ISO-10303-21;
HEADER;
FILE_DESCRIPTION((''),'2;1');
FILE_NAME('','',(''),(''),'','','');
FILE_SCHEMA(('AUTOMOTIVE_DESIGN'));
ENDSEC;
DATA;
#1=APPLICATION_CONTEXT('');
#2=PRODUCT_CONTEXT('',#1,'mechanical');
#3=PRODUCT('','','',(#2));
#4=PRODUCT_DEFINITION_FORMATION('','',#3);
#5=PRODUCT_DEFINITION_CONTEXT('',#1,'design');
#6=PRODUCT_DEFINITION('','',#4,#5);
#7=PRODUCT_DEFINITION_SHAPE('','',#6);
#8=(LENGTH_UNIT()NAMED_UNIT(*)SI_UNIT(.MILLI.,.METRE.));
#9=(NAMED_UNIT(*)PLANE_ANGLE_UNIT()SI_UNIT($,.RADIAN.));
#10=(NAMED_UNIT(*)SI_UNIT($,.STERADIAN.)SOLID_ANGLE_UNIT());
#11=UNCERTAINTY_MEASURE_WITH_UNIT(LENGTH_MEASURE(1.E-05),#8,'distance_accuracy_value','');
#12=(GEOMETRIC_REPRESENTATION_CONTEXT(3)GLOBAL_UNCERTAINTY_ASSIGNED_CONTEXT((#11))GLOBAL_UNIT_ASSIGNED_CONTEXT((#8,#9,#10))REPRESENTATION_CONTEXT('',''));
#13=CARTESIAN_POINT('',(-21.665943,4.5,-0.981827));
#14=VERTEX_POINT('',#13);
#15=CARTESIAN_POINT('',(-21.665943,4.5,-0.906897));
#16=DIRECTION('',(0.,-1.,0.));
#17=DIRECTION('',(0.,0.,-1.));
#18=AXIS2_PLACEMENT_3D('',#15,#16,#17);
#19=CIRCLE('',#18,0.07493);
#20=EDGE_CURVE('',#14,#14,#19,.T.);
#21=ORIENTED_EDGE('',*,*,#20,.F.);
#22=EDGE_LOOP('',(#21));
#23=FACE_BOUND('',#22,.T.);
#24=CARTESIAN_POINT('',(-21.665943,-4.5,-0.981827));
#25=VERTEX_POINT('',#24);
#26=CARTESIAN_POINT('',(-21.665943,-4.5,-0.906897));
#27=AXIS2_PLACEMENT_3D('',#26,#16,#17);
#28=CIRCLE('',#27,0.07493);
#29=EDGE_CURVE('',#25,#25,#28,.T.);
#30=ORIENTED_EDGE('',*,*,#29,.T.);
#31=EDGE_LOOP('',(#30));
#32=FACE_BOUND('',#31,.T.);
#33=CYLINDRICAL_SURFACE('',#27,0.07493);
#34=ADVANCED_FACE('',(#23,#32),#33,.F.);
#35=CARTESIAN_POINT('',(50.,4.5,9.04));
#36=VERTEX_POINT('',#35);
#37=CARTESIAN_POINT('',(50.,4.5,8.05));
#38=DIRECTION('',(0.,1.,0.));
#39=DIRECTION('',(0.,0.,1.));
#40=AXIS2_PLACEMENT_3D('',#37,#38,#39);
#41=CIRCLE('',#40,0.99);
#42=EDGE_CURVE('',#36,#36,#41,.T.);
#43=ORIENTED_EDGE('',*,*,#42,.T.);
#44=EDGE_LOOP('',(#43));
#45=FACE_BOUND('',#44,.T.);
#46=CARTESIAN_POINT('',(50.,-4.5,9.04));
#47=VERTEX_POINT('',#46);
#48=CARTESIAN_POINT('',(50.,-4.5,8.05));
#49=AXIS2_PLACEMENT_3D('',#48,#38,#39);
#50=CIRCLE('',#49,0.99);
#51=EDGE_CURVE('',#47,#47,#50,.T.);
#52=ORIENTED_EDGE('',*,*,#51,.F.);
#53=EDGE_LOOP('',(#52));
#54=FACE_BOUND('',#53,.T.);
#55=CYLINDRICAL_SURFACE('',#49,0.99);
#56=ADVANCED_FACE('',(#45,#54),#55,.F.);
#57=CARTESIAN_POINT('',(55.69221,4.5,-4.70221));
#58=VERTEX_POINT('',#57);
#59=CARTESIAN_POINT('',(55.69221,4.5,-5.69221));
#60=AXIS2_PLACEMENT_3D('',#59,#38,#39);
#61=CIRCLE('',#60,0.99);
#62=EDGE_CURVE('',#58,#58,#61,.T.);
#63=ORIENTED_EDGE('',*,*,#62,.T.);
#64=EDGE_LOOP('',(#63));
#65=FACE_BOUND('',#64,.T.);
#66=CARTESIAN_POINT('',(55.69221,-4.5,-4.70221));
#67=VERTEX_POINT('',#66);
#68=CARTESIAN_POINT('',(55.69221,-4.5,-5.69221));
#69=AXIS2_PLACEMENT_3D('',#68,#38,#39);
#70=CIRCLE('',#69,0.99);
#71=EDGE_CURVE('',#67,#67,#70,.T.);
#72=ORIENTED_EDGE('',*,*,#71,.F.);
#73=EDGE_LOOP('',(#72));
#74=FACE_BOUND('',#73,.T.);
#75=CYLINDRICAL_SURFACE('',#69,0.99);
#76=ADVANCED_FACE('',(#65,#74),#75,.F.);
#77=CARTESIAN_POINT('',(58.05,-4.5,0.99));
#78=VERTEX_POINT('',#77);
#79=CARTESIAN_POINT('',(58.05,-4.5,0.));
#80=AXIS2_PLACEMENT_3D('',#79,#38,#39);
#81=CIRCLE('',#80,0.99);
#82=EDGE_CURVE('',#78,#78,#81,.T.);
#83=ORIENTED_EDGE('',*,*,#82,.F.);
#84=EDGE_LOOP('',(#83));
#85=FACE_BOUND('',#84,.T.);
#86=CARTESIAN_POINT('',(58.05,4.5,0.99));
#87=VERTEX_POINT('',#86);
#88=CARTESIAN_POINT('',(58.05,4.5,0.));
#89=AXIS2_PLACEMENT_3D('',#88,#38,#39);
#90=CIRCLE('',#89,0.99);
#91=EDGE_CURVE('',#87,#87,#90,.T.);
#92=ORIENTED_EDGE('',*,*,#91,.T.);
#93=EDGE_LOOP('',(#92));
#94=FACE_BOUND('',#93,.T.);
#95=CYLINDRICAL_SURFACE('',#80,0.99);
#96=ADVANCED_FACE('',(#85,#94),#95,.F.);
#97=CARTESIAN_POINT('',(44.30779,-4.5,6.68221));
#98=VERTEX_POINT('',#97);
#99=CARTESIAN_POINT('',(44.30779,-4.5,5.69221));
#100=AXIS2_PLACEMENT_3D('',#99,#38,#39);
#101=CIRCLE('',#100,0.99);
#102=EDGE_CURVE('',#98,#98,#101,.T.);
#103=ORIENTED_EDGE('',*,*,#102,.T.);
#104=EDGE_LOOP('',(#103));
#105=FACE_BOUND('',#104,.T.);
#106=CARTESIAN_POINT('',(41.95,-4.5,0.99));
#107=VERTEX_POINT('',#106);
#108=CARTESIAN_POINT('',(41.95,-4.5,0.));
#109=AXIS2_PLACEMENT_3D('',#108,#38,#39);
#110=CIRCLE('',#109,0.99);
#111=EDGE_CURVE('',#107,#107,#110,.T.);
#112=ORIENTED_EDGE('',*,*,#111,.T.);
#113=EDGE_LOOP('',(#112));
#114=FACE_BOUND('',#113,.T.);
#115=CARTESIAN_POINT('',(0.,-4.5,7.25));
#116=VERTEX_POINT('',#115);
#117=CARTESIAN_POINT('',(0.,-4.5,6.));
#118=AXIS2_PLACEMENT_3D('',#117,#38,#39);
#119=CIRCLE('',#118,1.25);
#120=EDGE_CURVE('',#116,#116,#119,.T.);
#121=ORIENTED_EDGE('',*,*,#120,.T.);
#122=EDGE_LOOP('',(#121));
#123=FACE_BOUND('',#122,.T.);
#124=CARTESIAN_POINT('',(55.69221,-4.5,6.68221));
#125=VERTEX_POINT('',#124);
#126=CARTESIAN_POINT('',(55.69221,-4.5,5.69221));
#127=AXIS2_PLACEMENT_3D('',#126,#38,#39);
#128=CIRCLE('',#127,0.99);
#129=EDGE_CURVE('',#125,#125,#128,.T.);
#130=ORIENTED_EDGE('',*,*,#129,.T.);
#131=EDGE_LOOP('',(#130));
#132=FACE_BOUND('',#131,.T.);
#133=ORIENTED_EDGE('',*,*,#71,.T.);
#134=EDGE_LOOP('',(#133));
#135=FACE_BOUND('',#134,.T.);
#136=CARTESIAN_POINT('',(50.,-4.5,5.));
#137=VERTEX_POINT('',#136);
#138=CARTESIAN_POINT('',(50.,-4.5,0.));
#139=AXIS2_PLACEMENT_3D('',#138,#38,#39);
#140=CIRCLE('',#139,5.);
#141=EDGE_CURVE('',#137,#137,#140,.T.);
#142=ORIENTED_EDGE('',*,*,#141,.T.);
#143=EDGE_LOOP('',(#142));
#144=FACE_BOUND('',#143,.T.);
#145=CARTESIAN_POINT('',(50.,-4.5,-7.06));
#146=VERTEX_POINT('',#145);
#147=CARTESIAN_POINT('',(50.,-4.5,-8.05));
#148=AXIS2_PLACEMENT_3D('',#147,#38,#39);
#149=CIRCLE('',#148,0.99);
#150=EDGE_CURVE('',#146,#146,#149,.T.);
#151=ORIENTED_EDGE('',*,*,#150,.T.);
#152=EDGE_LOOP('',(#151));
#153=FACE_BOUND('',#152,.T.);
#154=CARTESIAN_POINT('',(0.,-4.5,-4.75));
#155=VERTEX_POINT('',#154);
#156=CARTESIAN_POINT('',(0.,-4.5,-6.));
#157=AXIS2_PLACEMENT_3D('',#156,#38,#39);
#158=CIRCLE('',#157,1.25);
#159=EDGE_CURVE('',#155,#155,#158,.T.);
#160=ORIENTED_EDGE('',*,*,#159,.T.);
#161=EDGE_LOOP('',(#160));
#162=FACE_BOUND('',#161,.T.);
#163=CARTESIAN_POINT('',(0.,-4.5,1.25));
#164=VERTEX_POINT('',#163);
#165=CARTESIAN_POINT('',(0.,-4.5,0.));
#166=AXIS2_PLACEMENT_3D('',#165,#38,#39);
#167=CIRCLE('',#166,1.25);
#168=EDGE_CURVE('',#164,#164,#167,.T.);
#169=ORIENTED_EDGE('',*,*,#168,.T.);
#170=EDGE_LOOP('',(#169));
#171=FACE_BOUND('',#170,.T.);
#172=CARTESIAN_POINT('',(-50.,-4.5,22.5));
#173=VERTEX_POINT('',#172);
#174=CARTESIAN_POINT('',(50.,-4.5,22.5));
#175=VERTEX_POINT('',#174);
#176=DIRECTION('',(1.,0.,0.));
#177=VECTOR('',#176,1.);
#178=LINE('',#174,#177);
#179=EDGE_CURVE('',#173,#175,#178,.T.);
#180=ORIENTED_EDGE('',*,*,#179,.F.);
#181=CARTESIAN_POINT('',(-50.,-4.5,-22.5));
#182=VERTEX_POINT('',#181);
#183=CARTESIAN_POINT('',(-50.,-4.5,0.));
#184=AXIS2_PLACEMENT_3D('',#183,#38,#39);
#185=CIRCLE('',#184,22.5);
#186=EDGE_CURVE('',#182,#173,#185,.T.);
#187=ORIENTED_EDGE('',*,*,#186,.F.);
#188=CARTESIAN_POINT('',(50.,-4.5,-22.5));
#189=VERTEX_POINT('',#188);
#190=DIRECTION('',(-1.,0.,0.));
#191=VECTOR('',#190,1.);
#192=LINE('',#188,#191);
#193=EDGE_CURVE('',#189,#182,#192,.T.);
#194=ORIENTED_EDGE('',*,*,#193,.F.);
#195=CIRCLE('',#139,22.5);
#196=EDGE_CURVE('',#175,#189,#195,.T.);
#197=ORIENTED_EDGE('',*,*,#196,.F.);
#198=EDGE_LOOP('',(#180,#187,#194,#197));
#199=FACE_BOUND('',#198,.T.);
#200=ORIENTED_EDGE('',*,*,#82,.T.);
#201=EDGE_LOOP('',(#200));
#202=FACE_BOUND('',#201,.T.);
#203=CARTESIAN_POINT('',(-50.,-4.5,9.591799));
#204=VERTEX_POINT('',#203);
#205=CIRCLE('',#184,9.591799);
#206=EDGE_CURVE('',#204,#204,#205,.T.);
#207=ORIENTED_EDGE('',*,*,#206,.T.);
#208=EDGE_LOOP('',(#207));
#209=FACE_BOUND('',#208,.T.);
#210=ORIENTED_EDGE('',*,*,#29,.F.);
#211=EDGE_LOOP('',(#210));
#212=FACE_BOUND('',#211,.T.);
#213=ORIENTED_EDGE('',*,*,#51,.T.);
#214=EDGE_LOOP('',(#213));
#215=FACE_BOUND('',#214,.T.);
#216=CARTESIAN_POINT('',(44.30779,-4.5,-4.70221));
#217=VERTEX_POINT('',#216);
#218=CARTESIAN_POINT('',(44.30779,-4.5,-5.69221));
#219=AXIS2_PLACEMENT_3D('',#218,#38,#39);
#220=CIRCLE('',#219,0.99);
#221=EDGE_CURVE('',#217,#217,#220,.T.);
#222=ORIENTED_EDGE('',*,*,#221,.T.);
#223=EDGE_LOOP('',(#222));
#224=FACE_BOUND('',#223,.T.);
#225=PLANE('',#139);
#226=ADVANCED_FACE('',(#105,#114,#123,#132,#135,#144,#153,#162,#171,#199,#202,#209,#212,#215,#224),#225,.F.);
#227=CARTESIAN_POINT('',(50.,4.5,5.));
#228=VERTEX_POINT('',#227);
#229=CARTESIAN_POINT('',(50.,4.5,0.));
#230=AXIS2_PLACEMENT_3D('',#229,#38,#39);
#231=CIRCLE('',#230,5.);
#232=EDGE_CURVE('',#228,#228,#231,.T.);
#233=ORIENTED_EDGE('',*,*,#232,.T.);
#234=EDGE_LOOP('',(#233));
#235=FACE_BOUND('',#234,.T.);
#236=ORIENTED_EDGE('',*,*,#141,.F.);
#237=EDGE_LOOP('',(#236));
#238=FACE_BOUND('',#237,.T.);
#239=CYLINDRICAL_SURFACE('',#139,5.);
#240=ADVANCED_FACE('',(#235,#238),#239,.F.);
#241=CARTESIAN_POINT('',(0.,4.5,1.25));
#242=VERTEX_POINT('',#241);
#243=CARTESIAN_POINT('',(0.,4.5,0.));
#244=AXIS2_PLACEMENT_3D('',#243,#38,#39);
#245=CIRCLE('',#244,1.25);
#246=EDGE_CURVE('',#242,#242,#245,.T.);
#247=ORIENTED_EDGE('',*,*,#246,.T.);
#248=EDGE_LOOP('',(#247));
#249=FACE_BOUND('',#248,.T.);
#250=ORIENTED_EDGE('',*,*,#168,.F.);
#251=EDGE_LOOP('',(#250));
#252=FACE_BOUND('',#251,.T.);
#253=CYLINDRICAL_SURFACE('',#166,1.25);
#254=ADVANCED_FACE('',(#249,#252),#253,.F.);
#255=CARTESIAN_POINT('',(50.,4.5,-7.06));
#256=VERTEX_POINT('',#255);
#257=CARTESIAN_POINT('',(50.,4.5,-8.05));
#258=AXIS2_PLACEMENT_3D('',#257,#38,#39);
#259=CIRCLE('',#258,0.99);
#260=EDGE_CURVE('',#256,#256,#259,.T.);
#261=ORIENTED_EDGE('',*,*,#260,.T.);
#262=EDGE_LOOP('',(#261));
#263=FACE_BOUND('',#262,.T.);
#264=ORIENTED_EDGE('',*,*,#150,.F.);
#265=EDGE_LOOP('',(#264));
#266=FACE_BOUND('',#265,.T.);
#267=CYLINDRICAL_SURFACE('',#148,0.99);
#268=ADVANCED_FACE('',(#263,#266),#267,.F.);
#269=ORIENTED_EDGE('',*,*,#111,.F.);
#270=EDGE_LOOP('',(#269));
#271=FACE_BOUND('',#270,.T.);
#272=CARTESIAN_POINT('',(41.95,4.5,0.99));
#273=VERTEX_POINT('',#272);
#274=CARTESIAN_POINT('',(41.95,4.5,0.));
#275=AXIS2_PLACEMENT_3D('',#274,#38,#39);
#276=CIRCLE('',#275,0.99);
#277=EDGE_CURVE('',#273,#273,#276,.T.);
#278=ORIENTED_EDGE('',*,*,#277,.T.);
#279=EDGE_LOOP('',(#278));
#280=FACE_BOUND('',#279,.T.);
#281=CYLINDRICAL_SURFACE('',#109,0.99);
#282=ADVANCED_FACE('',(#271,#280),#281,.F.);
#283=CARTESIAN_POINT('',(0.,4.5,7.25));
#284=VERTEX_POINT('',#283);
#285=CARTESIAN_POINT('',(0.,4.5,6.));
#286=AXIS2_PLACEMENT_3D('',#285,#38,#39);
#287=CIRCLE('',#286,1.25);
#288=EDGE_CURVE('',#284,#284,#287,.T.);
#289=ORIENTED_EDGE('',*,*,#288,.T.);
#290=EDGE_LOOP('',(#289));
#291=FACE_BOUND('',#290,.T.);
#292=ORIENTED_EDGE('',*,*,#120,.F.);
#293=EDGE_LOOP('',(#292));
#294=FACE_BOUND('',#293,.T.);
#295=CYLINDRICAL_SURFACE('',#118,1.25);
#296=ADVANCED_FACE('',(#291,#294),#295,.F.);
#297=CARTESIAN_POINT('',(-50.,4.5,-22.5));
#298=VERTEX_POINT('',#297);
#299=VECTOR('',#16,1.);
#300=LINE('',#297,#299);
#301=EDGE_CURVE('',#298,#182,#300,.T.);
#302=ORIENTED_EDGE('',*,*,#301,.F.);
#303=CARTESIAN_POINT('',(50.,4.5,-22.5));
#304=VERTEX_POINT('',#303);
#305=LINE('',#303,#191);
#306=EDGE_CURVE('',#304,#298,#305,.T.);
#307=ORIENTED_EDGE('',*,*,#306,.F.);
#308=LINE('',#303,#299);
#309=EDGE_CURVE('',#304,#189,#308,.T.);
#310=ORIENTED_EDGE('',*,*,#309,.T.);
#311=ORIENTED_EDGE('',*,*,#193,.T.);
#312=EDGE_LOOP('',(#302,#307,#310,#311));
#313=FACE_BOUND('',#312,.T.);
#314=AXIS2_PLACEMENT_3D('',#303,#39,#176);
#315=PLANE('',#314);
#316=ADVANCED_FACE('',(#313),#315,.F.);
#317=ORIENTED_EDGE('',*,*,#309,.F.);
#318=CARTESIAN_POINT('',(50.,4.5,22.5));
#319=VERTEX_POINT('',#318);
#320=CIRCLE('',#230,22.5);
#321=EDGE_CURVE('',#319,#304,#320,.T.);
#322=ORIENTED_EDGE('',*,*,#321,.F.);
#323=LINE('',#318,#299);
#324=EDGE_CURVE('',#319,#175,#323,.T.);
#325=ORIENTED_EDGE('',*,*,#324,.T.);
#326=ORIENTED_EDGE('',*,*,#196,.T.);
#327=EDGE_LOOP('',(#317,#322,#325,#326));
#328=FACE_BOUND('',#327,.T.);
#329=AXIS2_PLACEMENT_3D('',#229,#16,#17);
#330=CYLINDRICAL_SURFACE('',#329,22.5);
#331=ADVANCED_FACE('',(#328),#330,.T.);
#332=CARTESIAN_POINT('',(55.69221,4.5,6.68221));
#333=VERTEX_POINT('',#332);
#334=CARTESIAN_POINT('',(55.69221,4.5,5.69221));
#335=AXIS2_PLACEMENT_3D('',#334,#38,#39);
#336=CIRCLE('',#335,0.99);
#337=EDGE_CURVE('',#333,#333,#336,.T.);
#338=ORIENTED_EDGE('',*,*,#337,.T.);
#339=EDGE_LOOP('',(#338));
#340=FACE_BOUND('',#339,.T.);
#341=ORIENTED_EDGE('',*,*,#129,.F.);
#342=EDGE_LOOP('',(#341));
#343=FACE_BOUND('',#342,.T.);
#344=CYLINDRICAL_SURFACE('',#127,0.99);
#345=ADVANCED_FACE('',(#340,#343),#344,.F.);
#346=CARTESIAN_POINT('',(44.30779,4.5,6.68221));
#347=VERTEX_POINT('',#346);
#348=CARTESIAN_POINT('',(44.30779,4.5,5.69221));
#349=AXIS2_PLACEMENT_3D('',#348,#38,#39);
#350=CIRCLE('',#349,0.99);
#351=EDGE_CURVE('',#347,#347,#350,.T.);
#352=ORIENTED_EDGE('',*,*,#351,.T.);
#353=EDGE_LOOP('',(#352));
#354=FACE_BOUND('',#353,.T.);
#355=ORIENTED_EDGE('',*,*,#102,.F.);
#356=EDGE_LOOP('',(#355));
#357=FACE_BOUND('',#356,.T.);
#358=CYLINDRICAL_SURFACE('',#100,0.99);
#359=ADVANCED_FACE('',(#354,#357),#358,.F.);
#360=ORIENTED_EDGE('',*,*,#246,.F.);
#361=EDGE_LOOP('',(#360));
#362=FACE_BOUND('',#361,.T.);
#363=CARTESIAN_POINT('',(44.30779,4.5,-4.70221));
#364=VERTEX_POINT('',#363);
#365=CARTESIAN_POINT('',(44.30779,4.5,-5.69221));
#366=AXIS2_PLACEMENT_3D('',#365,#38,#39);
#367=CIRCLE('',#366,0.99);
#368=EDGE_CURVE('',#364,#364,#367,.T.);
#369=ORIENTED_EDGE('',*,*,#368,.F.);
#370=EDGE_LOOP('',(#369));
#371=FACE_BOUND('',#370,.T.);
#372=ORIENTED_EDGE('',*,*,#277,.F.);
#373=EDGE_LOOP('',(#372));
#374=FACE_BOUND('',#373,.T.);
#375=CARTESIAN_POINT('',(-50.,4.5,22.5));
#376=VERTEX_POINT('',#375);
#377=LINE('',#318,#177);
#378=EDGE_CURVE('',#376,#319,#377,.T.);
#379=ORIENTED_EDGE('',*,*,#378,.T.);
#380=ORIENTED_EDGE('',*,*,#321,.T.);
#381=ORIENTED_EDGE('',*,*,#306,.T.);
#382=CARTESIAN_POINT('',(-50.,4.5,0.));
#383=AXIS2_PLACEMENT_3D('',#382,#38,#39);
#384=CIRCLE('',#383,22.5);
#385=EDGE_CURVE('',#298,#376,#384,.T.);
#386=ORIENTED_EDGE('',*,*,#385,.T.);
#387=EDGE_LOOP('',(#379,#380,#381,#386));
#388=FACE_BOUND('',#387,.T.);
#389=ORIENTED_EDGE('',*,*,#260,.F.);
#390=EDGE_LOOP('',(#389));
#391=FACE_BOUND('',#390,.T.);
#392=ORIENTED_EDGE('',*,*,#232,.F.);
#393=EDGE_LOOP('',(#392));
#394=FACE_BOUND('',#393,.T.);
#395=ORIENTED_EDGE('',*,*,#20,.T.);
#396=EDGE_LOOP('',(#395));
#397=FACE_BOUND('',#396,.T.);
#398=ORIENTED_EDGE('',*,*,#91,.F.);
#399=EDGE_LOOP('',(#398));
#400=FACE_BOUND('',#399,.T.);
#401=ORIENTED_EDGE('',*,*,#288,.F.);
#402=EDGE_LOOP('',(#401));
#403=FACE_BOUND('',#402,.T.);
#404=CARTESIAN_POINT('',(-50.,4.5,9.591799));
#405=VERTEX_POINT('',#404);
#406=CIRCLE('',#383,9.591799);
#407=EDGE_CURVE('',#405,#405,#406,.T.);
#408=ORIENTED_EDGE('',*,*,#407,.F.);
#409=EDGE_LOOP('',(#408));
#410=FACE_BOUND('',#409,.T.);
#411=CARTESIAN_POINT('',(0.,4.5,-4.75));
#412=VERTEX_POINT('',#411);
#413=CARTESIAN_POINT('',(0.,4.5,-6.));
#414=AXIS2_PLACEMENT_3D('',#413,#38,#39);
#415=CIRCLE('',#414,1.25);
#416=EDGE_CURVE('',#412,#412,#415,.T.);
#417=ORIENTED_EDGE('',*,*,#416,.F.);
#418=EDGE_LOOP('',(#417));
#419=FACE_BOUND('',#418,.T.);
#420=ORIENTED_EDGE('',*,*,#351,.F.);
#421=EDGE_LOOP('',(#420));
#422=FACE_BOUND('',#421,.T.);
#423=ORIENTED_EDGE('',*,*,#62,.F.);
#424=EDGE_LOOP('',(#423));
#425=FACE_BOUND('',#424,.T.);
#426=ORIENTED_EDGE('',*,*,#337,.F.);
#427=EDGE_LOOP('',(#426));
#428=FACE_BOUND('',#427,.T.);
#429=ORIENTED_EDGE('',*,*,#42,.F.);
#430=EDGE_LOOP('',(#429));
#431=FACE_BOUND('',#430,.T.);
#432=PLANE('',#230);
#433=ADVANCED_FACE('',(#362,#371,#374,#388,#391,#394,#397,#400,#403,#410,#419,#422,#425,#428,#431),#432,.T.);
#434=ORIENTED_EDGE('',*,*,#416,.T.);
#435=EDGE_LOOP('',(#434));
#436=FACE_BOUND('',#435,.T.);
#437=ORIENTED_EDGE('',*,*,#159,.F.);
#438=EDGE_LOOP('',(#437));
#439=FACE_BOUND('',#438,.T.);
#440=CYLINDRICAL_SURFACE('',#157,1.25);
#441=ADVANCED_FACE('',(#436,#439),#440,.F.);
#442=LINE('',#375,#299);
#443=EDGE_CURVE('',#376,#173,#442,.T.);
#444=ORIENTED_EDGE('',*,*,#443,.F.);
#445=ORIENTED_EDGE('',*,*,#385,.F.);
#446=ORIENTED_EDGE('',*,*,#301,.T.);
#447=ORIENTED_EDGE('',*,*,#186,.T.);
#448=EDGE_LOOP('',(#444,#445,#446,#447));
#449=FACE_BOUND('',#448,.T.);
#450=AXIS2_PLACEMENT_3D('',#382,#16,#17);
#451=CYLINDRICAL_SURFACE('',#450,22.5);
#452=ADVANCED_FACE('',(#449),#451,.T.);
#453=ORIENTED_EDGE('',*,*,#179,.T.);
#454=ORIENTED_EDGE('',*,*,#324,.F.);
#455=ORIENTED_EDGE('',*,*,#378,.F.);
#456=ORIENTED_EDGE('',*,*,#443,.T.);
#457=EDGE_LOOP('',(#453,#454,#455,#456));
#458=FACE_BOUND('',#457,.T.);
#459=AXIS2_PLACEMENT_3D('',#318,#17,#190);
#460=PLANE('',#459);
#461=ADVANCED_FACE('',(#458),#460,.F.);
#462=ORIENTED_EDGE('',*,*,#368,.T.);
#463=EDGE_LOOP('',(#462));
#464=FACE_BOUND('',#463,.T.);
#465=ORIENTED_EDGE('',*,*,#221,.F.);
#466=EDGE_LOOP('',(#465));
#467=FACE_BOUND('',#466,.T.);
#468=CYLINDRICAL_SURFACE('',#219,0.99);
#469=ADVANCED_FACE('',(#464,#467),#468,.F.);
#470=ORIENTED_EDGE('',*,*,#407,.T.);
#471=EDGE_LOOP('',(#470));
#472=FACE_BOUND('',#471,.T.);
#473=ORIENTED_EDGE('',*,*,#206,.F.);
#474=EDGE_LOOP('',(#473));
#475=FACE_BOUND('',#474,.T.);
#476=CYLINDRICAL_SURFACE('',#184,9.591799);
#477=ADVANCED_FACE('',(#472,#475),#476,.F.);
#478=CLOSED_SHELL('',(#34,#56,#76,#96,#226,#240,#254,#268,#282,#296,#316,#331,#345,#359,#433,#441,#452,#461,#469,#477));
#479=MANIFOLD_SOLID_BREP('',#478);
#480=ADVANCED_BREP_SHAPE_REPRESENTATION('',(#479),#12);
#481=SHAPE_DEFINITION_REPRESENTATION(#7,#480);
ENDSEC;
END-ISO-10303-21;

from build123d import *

# Parameters (mm, degrees)
BOSS_EXTRUDE1_DEPTH          = 4.5
CUT_EXTRUDE1_DEPTH           = 77.442789065
CUT_EXTRUDE1_DEPTH_BACK      = 77.442789065
SKETCH3_R                    = 0.99
SKETCH4_R                    = 5
CUT_EXTRUDE2_DEPTH           = 77.442789065
CUT_EXTRUDE3_DEPTH           = 77.442789065
CUT_EXTRUDE3_DEPTH_BACK      = 77.442789065
SKETCH5_R                    = 1.25
CUT_EXTRUDE4_DEPTH           = 77.442789065
CUT_EXTRUDE4_DEPTH_BACK      = 77.442789065
SKETCH6_R                    = 9.591798866
F_97_0_0059_DIAMETER_HOLE1_D = 0.14986


with BuildPart() as part:
    # Sketch2 → Boss-Extrude1 (new, symmetric)
    with BuildSketch(Plane(origin=(0, 0, 0), x_dir=(1, 0, 0), z_dir=(0, 1, 0))):
        with BuildLine():
            Line((50, -22.5), (-50, -22.5))
            ThreePointArc((-50, -22.5), (-72.5, 0), (-50, 22.5))
            Line((-50, 22.5), (50, 22.5))
            ThreePointArc((50, 22.5), (72.5, 0), (50, -22.5))
        make_face()
    extrude(amount=BOSS_EXTRUDE1_DEPTH, both=True)

    # Sketch3 → Cut-Extrude1 (cut, two sides: drawn at the far end of the back side and taken through both)
    with BuildSketch(Plane(origin=(0, 4.5, 0), x_dir=(1, 0, 0), z_dir=(0, 1, 0)).offset(-CUT_EXTRUDE1_DEPTH_BACK)):
        with Locations(Location((41.95, 0, 0), (0, 0, 270))):
            Circle(SKETCH3_R)
        with Locations(Location((44.307790411, 5.692209589, 0), (0, 0, 270))):
            Circle(SKETCH3_R)
        with Locations(Location((50, 8.05, 0), (0, 0, 270))):
            Circle(SKETCH3_R)
        with Locations(Location((55.692209589, 5.692209589, 0), (0, 0, 270))):
            Circle(SKETCH3_R)
        with Locations(Location((58.05, 0, 0), (0, 0, 270))):
            Circle(SKETCH3_R)
        with Locations(Location((55.692209589, -5.692209589, 0), (0, 0, 270))):
            Circle(SKETCH3_R)
        with Locations(Location((50, -8.05, 0), (0, 0, 270))):
            Circle(SKETCH3_R)
        with Locations(Location((44.307790411, -5.692209589, 0), (0, 0, 270))):
            Circle(SKETCH3_R)
    extrude(amount=CUT_EXTRUDE1_DEPTH + CUT_EXTRUDE1_DEPTH_BACK, mode=Mode.SUBTRACT)

    # Sketch4 → Cut-Extrude2 (cut, through all)
    with BuildSketch(Plane(origin=(0, 4.5, 0), x_dir=(1, 0, 0), z_dir=(0, 1, 0))):
        with Locations(Location((50, 0, 0), (0, 0, 270))):
            Circle(SKETCH4_R)
    extrude(amount=-CUT_EXTRUDE2_DEPTH, mode=Mode.SUBTRACT)

    # Sketch5 → Cut-Extrude3 (cut, two sides: drawn at the far end of the back side and taken through both)
    with BuildSketch(Plane(origin=(0, 4.5, 0), x_dir=(1, 0, 0), z_dir=(0, 1, 0)).offset(-CUT_EXTRUDE3_DEPTH_BACK)):
        with Locations(Location((0, 6, 0), (0, 0, 270))):
            Circle(SKETCH5_R)
        with Locations(Location((0, 0, 0), (0, 0, 270))):
            Circle(SKETCH5_R)
        with Locations(Location((0, -6, 0), (0, 0, 270))):
            Circle(SKETCH5_R)
    extrude(amount=CUT_EXTRUDE3_DEPTH + CUT_EXTRUDE3_DEPTH_BACK, mode=Mode.SUBTRACT)

    # Sketch6 → Cut-Extrude4 (cut, two sides: drawn at the far end of the back side and taken through both)
    with BuildSketch(Plane(origin=(0, 4.5, 0), x_dir=(1, 0, 0), z_dir=(0, 1, 0)).offset(-CUT_EXTRUDE4_DEPTH_BACK)):
        with Locations(Location((-50, 0, 0), (0, 0, 270))):
            Circle(SKETCH6_R)
    extrude(amount=CUT_EXTRUDE4_DEPTH + CUT_EXTRUDE4_DEPTH_BACK, mode=Mode.SUBTRACT)

    # #97 (0.0059) Diameter Hole1 (through all)
    with Locations(Plane(origin=(-21.665942964, -4.5, -0.906896611), x_dir=(0, 0, -1), z_dir=(0, -1, 0))):
        with Locations((0, 0)):
            Hole(F_97_0_0059_DIAMETER_HOLE1_D / 2)


solid = part.part
